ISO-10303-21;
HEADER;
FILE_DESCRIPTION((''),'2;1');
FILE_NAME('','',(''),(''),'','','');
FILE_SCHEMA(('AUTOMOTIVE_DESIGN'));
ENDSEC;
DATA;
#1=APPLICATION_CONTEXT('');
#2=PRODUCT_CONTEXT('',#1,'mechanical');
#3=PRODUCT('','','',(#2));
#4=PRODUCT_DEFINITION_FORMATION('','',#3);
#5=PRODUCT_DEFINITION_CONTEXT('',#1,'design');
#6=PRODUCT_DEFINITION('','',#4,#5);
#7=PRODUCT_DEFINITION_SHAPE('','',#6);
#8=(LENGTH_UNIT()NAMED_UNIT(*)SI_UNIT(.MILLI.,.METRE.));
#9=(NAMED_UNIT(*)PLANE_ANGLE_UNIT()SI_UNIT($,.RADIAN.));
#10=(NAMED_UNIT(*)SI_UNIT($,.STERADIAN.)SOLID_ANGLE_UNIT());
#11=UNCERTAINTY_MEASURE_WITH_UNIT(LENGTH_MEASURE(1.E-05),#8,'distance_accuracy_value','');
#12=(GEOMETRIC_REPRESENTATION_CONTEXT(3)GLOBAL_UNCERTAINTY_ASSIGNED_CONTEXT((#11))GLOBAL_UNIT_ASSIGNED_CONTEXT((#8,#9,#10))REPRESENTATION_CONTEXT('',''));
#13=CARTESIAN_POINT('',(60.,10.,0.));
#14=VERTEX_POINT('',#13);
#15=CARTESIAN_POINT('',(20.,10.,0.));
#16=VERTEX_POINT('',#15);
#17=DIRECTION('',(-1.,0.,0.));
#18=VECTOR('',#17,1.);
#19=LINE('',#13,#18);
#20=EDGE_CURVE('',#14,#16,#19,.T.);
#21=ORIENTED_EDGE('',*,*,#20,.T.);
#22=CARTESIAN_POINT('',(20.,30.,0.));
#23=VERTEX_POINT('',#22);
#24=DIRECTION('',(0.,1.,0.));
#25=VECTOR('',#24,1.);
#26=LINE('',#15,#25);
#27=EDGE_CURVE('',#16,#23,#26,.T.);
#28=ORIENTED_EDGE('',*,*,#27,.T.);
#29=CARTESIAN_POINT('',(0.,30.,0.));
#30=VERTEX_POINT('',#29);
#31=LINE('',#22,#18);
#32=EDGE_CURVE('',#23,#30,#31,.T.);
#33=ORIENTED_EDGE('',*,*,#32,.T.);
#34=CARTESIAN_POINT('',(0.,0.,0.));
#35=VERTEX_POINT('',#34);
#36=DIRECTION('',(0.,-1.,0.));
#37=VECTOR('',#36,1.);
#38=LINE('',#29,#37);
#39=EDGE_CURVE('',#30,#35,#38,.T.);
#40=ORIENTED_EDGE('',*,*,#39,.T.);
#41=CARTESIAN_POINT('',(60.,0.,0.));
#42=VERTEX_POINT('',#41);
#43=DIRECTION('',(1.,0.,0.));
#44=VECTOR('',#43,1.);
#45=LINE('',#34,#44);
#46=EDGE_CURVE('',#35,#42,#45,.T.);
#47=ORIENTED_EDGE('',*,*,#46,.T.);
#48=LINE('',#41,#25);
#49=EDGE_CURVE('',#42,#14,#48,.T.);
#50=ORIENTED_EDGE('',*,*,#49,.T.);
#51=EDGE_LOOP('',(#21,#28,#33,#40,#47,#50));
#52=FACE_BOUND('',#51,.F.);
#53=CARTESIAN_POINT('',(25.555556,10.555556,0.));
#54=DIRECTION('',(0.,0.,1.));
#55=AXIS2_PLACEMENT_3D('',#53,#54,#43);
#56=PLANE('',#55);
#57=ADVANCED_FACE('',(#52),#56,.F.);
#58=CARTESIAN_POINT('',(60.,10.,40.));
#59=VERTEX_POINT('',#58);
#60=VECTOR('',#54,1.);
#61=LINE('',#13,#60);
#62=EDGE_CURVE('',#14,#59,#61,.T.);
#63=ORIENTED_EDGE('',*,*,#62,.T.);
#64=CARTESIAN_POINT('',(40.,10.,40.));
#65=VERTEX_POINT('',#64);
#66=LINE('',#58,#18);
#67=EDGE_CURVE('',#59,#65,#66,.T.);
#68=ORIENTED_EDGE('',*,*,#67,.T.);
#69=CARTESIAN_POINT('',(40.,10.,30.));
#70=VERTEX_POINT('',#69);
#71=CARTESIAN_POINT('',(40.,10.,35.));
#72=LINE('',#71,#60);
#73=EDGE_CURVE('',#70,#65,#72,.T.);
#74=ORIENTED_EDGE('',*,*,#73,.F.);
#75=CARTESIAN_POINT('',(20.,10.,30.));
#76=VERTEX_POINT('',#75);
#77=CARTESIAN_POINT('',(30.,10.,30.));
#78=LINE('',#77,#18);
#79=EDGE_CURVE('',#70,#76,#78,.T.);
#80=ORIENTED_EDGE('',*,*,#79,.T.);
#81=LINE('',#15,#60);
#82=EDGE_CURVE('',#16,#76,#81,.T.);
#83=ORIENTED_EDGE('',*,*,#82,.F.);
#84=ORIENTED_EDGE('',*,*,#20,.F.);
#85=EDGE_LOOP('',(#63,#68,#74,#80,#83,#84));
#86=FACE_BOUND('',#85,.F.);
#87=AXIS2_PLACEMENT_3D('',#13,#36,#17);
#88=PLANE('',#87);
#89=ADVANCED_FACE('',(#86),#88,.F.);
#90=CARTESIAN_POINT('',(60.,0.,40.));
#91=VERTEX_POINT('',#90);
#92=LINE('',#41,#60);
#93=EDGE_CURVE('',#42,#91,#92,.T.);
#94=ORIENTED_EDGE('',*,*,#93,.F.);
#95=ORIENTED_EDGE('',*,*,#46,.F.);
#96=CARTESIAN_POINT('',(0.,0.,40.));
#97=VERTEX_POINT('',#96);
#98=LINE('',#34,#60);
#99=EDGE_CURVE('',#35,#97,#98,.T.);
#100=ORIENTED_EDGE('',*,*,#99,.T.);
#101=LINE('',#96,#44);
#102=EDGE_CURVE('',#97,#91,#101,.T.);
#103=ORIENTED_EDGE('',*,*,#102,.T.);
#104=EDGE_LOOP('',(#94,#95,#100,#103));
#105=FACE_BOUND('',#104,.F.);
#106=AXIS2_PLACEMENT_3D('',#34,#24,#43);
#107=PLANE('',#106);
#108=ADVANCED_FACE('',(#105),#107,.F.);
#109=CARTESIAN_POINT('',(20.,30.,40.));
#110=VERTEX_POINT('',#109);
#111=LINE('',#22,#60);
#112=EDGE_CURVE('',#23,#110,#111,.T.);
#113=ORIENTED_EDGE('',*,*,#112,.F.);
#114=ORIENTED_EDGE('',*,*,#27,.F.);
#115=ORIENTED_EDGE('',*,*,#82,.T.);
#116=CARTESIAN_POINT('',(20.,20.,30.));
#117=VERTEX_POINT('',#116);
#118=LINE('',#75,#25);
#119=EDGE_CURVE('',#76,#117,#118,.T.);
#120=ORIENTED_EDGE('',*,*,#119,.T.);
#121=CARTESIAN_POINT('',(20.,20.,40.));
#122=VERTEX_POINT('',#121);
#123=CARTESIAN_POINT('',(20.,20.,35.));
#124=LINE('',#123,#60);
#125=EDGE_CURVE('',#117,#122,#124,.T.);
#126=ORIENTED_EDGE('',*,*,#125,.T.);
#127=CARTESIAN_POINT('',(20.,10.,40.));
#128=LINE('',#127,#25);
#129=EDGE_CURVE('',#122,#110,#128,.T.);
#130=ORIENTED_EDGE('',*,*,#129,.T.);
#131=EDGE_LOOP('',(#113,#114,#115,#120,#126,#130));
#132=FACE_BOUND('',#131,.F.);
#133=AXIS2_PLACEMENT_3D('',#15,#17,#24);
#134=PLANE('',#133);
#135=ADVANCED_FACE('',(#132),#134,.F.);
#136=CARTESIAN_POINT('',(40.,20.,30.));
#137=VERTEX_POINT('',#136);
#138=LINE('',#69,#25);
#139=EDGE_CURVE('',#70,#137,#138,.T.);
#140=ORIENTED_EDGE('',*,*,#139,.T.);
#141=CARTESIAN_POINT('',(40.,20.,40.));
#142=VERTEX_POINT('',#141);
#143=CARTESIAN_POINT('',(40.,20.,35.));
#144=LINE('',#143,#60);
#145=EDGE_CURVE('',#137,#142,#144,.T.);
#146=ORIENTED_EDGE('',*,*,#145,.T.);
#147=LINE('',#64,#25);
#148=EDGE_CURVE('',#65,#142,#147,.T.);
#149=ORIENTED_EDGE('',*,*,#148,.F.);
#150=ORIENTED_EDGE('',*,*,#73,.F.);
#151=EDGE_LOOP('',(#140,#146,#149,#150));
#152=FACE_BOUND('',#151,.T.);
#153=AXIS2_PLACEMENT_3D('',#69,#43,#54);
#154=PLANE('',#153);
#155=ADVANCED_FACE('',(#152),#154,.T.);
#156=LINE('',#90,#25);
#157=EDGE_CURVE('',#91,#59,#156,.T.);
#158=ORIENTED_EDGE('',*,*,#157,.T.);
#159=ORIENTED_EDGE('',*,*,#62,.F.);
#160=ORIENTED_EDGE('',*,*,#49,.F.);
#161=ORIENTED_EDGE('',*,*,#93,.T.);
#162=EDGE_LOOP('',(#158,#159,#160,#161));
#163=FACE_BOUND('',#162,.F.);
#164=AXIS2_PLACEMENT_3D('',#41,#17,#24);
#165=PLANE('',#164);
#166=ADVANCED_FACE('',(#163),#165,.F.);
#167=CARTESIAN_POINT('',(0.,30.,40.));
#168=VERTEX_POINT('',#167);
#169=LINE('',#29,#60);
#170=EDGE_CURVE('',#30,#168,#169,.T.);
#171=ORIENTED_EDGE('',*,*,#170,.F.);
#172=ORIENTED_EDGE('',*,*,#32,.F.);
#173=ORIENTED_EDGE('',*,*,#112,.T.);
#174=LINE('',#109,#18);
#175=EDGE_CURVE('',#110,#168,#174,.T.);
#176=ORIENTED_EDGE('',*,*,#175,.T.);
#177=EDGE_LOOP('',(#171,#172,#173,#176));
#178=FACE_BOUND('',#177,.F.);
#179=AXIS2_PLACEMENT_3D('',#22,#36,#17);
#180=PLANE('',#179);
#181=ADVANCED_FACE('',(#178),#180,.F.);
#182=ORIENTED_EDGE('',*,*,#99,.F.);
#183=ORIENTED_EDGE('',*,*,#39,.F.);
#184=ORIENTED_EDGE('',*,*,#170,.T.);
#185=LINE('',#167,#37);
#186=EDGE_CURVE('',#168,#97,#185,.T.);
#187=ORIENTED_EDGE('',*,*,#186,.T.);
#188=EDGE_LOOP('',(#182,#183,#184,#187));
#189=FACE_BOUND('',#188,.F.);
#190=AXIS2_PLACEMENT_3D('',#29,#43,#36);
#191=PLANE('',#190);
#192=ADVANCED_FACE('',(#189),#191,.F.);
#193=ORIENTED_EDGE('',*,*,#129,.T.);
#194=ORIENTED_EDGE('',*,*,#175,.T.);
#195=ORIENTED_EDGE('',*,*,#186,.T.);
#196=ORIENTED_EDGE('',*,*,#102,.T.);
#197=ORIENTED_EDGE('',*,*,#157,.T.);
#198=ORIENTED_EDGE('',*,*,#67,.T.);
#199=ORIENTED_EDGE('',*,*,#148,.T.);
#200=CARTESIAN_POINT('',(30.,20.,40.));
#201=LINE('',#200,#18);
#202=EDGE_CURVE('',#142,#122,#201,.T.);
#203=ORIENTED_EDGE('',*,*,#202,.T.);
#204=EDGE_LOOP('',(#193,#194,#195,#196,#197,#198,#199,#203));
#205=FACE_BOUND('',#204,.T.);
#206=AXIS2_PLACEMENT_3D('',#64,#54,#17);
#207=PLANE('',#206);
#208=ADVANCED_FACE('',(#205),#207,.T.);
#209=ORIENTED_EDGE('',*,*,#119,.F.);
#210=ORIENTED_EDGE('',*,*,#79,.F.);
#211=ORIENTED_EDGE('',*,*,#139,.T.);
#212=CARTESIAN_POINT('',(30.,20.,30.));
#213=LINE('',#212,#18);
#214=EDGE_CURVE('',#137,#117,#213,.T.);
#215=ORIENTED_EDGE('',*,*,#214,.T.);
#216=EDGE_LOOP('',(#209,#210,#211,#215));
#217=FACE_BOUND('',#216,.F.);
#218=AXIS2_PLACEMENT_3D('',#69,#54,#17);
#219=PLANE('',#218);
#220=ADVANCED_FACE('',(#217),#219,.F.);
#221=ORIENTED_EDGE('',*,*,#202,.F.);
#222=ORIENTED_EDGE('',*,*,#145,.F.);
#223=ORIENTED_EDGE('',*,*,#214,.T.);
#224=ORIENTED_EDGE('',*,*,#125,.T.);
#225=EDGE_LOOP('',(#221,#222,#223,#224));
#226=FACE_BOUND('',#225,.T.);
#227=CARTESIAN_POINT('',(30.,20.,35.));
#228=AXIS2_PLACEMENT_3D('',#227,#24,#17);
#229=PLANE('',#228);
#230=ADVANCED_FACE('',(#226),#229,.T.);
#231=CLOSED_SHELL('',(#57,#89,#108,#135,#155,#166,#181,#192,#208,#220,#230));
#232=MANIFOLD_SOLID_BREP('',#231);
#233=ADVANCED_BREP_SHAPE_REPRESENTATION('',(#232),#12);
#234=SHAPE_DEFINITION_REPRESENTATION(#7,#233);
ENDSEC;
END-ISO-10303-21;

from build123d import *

# Parameters (mm, degrees)
F1_DEPTH = 40
F2_W     = 20
F2_H     = 10
F3_DEPTH = 10


with BuildPart() as f1:
    # F0 (on Top) → F1 (new body)
    with BuildSketch(Plane.XY):
        Polygon((0, 30), (0, 0), (60, 0), (60, 10), (20, 10), (20, 30), align=None)
    extrude(amount=F1_DEPTH)

    # F2 (on face) → F3 (join)
    with BuildSketch(Plane(origin=(0, 10, 0), x_dir=(-1, 0, 0), z_dir=(0, 1, 0))):
        with Locations((-30, 35)):
            Rectangle(F2_W, F2_H)
    extrude(amount=F3_DEPTH)


solid = f1.part
